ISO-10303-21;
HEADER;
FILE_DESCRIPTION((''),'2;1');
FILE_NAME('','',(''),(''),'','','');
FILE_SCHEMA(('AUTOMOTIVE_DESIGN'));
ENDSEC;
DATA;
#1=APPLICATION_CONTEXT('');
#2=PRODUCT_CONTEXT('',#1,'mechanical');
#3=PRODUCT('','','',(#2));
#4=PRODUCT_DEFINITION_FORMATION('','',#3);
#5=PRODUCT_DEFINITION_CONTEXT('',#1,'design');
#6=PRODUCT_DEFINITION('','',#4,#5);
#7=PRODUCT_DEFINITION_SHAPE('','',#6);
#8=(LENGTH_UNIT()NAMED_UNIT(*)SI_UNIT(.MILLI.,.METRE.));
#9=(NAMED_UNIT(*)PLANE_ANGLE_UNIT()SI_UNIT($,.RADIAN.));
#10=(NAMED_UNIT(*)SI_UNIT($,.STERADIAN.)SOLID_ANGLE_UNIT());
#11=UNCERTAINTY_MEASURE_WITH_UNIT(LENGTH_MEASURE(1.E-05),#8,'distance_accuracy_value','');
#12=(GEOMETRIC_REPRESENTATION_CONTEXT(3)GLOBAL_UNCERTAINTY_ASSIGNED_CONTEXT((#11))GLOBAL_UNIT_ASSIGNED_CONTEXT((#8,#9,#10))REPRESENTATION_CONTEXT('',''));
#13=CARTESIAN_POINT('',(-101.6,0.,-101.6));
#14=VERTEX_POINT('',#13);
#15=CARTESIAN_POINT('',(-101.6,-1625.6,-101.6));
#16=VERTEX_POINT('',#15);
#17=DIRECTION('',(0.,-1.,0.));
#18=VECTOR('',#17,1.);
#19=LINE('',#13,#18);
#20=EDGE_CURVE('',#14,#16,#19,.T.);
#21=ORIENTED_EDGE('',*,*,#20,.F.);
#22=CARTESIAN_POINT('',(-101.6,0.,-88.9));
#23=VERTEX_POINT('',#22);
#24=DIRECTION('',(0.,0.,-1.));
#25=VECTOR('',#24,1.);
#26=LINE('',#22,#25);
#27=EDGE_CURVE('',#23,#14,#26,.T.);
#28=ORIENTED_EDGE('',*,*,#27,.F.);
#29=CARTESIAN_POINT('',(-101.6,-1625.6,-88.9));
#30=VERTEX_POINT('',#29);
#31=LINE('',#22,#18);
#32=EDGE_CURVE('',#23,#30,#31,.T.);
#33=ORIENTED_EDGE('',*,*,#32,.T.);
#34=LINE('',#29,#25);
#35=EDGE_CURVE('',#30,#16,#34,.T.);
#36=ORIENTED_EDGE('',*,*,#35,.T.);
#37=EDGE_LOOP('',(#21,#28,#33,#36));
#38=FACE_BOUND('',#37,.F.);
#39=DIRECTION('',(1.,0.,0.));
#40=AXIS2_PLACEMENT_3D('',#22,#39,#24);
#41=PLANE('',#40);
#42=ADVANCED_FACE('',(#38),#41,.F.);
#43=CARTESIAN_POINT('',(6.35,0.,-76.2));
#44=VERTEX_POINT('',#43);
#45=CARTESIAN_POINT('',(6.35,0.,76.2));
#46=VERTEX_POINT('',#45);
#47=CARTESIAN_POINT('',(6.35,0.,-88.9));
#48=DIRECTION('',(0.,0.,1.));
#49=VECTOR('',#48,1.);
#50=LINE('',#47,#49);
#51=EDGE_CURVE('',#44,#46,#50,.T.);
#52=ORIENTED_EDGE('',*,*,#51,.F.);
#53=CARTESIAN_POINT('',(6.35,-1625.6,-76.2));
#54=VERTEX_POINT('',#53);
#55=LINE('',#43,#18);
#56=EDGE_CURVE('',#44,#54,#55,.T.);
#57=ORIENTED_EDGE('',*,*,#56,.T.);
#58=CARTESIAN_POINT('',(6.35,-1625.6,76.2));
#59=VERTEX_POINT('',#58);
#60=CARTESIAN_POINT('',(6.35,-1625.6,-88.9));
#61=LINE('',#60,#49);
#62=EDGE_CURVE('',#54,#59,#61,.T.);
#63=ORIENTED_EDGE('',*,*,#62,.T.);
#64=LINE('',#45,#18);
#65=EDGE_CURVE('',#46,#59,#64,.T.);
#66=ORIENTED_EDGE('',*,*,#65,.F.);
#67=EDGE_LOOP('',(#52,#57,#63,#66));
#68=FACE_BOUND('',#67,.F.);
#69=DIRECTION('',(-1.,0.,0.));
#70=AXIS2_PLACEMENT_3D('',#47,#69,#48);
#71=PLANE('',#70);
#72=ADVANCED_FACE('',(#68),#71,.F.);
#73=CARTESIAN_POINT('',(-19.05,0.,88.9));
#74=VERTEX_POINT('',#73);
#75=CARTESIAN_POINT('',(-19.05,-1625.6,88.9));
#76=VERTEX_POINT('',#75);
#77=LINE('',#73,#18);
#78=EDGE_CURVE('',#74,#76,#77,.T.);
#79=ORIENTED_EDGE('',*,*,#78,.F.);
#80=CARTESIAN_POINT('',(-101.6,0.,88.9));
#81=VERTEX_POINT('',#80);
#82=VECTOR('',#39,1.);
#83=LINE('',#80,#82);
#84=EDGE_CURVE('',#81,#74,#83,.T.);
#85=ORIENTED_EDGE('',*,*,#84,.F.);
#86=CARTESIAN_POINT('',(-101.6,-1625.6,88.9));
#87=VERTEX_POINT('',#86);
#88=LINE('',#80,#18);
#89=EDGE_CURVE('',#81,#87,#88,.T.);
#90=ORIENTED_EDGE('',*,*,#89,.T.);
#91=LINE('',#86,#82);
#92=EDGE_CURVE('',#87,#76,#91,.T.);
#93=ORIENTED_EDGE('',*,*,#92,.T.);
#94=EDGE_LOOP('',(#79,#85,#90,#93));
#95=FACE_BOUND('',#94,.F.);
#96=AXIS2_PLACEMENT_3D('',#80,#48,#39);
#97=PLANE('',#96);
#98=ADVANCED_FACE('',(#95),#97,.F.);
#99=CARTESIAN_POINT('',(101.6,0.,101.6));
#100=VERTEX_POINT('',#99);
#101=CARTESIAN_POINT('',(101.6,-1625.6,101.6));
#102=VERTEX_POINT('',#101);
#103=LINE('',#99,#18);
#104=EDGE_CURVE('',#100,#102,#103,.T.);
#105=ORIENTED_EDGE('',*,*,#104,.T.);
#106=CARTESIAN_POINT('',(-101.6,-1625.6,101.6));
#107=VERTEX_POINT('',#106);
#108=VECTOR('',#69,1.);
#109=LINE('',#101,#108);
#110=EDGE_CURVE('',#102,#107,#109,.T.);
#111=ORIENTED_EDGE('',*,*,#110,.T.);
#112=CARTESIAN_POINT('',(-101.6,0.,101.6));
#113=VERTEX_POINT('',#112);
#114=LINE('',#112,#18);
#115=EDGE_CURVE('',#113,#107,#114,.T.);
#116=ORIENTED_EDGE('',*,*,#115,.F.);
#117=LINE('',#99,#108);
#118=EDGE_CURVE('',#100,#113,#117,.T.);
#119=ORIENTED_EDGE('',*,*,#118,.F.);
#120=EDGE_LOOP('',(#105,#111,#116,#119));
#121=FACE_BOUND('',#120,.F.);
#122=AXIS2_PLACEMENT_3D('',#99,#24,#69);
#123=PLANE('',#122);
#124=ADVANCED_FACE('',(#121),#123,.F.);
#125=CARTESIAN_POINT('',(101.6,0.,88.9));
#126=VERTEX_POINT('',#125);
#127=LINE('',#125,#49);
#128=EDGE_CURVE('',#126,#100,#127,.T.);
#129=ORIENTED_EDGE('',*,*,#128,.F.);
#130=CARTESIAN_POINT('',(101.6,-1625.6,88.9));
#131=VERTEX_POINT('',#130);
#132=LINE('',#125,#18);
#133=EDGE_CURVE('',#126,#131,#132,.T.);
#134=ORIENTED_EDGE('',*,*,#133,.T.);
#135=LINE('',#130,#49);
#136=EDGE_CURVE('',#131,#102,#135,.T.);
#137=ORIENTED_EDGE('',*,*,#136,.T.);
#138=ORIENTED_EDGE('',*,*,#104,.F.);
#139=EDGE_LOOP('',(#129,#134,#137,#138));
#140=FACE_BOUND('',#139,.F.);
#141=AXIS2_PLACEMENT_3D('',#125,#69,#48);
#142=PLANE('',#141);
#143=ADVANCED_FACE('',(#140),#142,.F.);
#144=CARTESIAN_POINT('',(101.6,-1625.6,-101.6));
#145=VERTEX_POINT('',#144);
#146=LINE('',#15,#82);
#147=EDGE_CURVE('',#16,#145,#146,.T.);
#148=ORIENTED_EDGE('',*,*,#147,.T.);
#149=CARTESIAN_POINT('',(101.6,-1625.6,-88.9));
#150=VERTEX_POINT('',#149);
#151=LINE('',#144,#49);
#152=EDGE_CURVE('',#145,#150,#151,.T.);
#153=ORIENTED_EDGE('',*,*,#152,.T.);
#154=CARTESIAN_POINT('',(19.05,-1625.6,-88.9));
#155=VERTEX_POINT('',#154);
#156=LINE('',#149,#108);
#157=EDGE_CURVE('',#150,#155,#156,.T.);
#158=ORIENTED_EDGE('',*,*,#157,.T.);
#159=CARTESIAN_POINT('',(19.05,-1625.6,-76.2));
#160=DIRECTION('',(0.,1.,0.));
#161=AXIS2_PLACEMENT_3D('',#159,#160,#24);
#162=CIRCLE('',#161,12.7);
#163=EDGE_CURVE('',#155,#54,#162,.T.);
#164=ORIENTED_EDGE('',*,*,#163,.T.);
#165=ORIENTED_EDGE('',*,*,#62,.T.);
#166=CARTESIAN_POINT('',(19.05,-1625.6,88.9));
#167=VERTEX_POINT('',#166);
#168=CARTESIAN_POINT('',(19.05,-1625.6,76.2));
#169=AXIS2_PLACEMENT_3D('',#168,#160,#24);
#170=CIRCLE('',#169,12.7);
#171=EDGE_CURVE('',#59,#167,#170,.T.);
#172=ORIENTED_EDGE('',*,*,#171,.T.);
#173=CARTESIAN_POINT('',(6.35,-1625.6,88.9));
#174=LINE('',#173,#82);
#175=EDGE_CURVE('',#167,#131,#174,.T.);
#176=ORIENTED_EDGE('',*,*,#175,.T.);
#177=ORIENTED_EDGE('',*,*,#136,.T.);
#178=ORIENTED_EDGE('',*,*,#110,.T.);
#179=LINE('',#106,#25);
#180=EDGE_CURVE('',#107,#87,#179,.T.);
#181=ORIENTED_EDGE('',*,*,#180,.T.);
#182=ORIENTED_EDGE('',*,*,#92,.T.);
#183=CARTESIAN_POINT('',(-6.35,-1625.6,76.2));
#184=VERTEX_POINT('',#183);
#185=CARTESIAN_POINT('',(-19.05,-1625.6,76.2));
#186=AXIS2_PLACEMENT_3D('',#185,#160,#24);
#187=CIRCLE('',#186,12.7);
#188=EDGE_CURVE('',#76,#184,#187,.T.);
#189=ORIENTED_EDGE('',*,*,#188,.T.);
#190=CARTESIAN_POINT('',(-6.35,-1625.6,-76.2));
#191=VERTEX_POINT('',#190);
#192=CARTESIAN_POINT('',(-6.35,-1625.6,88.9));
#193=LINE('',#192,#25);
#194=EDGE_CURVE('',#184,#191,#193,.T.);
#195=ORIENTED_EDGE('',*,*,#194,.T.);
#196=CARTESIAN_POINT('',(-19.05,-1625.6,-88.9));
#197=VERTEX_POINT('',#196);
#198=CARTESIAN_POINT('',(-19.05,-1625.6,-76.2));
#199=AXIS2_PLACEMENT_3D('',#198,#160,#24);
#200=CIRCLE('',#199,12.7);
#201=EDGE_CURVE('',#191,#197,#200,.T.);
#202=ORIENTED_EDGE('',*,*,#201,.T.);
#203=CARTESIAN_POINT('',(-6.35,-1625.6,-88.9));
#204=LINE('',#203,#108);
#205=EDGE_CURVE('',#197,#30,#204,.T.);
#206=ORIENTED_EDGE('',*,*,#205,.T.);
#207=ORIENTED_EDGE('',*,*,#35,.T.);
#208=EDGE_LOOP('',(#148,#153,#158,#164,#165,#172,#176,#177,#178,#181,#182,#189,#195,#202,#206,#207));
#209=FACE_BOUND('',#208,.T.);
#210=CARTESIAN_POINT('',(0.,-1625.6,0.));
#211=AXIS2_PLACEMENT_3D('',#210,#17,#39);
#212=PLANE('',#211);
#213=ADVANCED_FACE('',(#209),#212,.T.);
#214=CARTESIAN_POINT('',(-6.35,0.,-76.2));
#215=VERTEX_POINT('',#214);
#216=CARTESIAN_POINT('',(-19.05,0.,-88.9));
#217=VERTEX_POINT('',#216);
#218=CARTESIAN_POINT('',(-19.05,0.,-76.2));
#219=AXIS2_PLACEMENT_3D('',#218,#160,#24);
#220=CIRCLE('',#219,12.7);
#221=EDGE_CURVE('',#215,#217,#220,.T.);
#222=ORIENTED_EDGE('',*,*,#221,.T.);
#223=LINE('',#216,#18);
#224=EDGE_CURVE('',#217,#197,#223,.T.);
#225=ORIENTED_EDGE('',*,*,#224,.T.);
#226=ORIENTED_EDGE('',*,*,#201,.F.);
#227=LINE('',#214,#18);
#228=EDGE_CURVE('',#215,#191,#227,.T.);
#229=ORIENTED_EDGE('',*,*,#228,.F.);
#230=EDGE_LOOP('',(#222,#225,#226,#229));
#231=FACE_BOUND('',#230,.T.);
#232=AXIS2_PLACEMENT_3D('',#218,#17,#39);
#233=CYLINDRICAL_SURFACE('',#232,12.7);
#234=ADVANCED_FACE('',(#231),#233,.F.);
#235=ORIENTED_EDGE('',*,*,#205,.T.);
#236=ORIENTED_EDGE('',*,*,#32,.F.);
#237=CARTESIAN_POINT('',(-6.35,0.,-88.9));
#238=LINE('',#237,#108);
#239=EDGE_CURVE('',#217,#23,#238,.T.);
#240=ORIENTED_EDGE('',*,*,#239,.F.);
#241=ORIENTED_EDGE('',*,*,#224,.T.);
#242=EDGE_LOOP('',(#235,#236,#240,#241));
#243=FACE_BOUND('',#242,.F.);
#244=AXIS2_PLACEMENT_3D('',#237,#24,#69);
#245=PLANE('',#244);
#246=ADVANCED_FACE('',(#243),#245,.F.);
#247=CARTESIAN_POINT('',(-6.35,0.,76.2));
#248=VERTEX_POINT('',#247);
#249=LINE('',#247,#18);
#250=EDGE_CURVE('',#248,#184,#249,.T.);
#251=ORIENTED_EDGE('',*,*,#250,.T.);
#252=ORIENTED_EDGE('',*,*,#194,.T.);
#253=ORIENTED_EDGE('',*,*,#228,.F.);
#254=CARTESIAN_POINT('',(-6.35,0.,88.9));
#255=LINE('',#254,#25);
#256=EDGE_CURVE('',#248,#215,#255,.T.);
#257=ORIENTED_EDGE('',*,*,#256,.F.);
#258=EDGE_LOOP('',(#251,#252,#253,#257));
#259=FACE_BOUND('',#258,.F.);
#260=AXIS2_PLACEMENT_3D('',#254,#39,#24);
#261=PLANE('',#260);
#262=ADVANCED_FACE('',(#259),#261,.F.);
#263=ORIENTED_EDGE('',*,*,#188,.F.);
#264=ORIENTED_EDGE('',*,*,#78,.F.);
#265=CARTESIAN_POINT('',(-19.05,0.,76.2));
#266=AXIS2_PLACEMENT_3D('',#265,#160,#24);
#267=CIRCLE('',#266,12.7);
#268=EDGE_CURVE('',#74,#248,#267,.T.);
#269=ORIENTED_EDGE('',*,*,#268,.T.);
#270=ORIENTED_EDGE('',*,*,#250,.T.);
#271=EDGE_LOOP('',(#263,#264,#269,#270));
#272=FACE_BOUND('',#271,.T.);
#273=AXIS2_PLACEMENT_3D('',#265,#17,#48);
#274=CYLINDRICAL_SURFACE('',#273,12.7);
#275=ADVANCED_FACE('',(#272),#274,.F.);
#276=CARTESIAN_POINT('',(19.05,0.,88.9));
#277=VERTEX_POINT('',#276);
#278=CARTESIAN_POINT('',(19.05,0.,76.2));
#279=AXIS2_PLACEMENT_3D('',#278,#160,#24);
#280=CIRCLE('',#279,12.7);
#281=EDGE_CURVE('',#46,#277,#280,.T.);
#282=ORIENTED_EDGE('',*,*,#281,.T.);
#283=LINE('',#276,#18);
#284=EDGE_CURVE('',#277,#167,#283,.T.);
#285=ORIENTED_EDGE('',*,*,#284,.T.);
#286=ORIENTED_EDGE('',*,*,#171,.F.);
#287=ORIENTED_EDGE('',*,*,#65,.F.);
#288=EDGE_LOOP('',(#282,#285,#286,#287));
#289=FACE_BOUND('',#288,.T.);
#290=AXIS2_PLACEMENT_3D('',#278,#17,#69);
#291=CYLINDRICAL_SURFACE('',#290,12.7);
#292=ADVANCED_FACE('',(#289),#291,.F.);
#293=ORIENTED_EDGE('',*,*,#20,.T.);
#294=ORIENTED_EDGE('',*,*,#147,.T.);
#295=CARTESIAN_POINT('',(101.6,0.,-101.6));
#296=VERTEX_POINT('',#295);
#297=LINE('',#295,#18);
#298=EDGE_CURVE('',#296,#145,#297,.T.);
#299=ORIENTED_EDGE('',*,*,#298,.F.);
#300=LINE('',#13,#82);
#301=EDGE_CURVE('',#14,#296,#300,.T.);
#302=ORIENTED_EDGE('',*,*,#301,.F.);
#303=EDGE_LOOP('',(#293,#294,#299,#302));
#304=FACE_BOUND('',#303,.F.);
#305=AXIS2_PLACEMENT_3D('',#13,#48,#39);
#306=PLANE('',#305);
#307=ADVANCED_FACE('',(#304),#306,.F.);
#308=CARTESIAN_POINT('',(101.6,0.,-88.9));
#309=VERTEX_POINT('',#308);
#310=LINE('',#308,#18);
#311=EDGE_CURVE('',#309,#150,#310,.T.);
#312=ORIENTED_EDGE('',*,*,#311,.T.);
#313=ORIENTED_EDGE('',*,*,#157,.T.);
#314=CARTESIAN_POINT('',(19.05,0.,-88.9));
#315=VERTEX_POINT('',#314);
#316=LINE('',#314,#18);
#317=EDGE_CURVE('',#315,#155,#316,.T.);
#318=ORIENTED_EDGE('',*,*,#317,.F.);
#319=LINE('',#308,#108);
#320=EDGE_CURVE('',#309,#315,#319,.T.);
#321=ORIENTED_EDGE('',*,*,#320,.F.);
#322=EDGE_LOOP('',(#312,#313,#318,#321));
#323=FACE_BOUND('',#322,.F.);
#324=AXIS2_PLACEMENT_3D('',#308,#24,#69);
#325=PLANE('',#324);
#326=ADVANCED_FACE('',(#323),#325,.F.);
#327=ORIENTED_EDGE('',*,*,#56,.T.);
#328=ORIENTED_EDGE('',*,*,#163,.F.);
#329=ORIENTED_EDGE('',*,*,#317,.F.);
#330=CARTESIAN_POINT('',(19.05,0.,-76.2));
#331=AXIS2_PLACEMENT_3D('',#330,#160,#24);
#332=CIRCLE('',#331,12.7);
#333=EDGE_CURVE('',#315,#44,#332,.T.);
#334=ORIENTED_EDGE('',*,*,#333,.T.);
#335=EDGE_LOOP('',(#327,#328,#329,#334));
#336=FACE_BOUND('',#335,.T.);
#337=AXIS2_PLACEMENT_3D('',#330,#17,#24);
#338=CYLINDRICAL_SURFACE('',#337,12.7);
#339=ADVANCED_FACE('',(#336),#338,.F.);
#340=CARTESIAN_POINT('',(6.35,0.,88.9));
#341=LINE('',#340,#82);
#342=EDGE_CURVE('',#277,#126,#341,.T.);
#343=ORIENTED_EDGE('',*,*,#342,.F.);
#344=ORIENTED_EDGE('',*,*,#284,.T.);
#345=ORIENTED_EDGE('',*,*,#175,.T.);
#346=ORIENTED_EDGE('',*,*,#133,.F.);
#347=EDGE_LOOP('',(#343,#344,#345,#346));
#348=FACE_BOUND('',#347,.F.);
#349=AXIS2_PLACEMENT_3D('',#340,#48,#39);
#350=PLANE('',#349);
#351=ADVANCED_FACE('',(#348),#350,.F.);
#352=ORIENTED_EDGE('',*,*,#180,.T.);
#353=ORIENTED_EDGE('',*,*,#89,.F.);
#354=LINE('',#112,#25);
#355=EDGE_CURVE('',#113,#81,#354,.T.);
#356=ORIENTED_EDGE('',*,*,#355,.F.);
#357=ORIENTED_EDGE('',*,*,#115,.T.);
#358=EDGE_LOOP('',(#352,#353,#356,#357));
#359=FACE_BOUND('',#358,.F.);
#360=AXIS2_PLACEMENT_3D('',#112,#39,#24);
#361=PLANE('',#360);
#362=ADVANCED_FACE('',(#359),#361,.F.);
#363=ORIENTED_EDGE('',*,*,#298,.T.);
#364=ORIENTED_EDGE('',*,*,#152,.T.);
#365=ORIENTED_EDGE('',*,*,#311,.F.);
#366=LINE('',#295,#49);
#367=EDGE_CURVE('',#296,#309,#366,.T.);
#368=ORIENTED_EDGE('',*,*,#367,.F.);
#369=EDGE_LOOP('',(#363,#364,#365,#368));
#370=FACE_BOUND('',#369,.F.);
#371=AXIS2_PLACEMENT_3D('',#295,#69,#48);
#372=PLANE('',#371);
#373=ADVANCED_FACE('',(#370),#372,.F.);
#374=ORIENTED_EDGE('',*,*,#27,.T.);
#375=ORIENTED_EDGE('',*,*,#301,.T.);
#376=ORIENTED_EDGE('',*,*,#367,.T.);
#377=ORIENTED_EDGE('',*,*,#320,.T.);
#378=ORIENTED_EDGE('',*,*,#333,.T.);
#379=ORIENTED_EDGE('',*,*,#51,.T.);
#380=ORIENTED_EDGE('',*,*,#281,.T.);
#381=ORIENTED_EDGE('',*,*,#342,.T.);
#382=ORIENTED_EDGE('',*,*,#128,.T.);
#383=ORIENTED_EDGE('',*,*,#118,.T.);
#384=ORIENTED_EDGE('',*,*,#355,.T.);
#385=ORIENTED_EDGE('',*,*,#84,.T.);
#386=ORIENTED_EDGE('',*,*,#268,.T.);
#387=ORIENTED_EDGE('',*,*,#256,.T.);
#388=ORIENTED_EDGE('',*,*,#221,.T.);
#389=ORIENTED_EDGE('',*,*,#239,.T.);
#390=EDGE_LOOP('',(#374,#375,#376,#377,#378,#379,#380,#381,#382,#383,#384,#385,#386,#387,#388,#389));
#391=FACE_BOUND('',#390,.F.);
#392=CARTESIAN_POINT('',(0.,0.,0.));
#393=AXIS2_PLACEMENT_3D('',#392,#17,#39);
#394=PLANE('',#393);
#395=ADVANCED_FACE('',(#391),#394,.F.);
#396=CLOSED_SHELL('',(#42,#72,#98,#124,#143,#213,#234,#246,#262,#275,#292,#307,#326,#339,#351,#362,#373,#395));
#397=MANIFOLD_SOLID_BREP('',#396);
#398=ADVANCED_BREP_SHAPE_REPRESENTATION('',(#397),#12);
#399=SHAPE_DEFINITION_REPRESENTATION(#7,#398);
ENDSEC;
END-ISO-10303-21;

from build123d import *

# Parameters (mm, degrees)
F1_DEPTH = 1625.6
F2_R     = 12.7


with BuildPart() as f1:
    # F0 (on Front) → F1 (new body)
    with BuildSketch(Plane.XZ):
        Polygon((6.35, -101.6), (101.6, -101.6), (101.6, -88.9), (6.35, -88.9), (6.35, 88.9), (101.6, 88.9), (101.6, 101.6), (-101.6, 101.6), (-101.6, 88.9), (-6.35, 88.9), (-6.35, -88.9), (-101.6, -88.9), (-101.6, -101.6), (-6.35, -101.6), align=None)
    extrude(amount=F1_DEPTH)

    # F2
    f2_edges = [f1.edges().sort_by_distance(p)[0] for p in [
        (-6.35, -812.8, -88.9),
        (6.35, -812.8, -88.9),
        (6.35, -812.8, 88.9),
        (-6.35, -812.8, 88.9),
    ]]
    fillet(f2_edges, radius=F2_R)


solid = f1.part
